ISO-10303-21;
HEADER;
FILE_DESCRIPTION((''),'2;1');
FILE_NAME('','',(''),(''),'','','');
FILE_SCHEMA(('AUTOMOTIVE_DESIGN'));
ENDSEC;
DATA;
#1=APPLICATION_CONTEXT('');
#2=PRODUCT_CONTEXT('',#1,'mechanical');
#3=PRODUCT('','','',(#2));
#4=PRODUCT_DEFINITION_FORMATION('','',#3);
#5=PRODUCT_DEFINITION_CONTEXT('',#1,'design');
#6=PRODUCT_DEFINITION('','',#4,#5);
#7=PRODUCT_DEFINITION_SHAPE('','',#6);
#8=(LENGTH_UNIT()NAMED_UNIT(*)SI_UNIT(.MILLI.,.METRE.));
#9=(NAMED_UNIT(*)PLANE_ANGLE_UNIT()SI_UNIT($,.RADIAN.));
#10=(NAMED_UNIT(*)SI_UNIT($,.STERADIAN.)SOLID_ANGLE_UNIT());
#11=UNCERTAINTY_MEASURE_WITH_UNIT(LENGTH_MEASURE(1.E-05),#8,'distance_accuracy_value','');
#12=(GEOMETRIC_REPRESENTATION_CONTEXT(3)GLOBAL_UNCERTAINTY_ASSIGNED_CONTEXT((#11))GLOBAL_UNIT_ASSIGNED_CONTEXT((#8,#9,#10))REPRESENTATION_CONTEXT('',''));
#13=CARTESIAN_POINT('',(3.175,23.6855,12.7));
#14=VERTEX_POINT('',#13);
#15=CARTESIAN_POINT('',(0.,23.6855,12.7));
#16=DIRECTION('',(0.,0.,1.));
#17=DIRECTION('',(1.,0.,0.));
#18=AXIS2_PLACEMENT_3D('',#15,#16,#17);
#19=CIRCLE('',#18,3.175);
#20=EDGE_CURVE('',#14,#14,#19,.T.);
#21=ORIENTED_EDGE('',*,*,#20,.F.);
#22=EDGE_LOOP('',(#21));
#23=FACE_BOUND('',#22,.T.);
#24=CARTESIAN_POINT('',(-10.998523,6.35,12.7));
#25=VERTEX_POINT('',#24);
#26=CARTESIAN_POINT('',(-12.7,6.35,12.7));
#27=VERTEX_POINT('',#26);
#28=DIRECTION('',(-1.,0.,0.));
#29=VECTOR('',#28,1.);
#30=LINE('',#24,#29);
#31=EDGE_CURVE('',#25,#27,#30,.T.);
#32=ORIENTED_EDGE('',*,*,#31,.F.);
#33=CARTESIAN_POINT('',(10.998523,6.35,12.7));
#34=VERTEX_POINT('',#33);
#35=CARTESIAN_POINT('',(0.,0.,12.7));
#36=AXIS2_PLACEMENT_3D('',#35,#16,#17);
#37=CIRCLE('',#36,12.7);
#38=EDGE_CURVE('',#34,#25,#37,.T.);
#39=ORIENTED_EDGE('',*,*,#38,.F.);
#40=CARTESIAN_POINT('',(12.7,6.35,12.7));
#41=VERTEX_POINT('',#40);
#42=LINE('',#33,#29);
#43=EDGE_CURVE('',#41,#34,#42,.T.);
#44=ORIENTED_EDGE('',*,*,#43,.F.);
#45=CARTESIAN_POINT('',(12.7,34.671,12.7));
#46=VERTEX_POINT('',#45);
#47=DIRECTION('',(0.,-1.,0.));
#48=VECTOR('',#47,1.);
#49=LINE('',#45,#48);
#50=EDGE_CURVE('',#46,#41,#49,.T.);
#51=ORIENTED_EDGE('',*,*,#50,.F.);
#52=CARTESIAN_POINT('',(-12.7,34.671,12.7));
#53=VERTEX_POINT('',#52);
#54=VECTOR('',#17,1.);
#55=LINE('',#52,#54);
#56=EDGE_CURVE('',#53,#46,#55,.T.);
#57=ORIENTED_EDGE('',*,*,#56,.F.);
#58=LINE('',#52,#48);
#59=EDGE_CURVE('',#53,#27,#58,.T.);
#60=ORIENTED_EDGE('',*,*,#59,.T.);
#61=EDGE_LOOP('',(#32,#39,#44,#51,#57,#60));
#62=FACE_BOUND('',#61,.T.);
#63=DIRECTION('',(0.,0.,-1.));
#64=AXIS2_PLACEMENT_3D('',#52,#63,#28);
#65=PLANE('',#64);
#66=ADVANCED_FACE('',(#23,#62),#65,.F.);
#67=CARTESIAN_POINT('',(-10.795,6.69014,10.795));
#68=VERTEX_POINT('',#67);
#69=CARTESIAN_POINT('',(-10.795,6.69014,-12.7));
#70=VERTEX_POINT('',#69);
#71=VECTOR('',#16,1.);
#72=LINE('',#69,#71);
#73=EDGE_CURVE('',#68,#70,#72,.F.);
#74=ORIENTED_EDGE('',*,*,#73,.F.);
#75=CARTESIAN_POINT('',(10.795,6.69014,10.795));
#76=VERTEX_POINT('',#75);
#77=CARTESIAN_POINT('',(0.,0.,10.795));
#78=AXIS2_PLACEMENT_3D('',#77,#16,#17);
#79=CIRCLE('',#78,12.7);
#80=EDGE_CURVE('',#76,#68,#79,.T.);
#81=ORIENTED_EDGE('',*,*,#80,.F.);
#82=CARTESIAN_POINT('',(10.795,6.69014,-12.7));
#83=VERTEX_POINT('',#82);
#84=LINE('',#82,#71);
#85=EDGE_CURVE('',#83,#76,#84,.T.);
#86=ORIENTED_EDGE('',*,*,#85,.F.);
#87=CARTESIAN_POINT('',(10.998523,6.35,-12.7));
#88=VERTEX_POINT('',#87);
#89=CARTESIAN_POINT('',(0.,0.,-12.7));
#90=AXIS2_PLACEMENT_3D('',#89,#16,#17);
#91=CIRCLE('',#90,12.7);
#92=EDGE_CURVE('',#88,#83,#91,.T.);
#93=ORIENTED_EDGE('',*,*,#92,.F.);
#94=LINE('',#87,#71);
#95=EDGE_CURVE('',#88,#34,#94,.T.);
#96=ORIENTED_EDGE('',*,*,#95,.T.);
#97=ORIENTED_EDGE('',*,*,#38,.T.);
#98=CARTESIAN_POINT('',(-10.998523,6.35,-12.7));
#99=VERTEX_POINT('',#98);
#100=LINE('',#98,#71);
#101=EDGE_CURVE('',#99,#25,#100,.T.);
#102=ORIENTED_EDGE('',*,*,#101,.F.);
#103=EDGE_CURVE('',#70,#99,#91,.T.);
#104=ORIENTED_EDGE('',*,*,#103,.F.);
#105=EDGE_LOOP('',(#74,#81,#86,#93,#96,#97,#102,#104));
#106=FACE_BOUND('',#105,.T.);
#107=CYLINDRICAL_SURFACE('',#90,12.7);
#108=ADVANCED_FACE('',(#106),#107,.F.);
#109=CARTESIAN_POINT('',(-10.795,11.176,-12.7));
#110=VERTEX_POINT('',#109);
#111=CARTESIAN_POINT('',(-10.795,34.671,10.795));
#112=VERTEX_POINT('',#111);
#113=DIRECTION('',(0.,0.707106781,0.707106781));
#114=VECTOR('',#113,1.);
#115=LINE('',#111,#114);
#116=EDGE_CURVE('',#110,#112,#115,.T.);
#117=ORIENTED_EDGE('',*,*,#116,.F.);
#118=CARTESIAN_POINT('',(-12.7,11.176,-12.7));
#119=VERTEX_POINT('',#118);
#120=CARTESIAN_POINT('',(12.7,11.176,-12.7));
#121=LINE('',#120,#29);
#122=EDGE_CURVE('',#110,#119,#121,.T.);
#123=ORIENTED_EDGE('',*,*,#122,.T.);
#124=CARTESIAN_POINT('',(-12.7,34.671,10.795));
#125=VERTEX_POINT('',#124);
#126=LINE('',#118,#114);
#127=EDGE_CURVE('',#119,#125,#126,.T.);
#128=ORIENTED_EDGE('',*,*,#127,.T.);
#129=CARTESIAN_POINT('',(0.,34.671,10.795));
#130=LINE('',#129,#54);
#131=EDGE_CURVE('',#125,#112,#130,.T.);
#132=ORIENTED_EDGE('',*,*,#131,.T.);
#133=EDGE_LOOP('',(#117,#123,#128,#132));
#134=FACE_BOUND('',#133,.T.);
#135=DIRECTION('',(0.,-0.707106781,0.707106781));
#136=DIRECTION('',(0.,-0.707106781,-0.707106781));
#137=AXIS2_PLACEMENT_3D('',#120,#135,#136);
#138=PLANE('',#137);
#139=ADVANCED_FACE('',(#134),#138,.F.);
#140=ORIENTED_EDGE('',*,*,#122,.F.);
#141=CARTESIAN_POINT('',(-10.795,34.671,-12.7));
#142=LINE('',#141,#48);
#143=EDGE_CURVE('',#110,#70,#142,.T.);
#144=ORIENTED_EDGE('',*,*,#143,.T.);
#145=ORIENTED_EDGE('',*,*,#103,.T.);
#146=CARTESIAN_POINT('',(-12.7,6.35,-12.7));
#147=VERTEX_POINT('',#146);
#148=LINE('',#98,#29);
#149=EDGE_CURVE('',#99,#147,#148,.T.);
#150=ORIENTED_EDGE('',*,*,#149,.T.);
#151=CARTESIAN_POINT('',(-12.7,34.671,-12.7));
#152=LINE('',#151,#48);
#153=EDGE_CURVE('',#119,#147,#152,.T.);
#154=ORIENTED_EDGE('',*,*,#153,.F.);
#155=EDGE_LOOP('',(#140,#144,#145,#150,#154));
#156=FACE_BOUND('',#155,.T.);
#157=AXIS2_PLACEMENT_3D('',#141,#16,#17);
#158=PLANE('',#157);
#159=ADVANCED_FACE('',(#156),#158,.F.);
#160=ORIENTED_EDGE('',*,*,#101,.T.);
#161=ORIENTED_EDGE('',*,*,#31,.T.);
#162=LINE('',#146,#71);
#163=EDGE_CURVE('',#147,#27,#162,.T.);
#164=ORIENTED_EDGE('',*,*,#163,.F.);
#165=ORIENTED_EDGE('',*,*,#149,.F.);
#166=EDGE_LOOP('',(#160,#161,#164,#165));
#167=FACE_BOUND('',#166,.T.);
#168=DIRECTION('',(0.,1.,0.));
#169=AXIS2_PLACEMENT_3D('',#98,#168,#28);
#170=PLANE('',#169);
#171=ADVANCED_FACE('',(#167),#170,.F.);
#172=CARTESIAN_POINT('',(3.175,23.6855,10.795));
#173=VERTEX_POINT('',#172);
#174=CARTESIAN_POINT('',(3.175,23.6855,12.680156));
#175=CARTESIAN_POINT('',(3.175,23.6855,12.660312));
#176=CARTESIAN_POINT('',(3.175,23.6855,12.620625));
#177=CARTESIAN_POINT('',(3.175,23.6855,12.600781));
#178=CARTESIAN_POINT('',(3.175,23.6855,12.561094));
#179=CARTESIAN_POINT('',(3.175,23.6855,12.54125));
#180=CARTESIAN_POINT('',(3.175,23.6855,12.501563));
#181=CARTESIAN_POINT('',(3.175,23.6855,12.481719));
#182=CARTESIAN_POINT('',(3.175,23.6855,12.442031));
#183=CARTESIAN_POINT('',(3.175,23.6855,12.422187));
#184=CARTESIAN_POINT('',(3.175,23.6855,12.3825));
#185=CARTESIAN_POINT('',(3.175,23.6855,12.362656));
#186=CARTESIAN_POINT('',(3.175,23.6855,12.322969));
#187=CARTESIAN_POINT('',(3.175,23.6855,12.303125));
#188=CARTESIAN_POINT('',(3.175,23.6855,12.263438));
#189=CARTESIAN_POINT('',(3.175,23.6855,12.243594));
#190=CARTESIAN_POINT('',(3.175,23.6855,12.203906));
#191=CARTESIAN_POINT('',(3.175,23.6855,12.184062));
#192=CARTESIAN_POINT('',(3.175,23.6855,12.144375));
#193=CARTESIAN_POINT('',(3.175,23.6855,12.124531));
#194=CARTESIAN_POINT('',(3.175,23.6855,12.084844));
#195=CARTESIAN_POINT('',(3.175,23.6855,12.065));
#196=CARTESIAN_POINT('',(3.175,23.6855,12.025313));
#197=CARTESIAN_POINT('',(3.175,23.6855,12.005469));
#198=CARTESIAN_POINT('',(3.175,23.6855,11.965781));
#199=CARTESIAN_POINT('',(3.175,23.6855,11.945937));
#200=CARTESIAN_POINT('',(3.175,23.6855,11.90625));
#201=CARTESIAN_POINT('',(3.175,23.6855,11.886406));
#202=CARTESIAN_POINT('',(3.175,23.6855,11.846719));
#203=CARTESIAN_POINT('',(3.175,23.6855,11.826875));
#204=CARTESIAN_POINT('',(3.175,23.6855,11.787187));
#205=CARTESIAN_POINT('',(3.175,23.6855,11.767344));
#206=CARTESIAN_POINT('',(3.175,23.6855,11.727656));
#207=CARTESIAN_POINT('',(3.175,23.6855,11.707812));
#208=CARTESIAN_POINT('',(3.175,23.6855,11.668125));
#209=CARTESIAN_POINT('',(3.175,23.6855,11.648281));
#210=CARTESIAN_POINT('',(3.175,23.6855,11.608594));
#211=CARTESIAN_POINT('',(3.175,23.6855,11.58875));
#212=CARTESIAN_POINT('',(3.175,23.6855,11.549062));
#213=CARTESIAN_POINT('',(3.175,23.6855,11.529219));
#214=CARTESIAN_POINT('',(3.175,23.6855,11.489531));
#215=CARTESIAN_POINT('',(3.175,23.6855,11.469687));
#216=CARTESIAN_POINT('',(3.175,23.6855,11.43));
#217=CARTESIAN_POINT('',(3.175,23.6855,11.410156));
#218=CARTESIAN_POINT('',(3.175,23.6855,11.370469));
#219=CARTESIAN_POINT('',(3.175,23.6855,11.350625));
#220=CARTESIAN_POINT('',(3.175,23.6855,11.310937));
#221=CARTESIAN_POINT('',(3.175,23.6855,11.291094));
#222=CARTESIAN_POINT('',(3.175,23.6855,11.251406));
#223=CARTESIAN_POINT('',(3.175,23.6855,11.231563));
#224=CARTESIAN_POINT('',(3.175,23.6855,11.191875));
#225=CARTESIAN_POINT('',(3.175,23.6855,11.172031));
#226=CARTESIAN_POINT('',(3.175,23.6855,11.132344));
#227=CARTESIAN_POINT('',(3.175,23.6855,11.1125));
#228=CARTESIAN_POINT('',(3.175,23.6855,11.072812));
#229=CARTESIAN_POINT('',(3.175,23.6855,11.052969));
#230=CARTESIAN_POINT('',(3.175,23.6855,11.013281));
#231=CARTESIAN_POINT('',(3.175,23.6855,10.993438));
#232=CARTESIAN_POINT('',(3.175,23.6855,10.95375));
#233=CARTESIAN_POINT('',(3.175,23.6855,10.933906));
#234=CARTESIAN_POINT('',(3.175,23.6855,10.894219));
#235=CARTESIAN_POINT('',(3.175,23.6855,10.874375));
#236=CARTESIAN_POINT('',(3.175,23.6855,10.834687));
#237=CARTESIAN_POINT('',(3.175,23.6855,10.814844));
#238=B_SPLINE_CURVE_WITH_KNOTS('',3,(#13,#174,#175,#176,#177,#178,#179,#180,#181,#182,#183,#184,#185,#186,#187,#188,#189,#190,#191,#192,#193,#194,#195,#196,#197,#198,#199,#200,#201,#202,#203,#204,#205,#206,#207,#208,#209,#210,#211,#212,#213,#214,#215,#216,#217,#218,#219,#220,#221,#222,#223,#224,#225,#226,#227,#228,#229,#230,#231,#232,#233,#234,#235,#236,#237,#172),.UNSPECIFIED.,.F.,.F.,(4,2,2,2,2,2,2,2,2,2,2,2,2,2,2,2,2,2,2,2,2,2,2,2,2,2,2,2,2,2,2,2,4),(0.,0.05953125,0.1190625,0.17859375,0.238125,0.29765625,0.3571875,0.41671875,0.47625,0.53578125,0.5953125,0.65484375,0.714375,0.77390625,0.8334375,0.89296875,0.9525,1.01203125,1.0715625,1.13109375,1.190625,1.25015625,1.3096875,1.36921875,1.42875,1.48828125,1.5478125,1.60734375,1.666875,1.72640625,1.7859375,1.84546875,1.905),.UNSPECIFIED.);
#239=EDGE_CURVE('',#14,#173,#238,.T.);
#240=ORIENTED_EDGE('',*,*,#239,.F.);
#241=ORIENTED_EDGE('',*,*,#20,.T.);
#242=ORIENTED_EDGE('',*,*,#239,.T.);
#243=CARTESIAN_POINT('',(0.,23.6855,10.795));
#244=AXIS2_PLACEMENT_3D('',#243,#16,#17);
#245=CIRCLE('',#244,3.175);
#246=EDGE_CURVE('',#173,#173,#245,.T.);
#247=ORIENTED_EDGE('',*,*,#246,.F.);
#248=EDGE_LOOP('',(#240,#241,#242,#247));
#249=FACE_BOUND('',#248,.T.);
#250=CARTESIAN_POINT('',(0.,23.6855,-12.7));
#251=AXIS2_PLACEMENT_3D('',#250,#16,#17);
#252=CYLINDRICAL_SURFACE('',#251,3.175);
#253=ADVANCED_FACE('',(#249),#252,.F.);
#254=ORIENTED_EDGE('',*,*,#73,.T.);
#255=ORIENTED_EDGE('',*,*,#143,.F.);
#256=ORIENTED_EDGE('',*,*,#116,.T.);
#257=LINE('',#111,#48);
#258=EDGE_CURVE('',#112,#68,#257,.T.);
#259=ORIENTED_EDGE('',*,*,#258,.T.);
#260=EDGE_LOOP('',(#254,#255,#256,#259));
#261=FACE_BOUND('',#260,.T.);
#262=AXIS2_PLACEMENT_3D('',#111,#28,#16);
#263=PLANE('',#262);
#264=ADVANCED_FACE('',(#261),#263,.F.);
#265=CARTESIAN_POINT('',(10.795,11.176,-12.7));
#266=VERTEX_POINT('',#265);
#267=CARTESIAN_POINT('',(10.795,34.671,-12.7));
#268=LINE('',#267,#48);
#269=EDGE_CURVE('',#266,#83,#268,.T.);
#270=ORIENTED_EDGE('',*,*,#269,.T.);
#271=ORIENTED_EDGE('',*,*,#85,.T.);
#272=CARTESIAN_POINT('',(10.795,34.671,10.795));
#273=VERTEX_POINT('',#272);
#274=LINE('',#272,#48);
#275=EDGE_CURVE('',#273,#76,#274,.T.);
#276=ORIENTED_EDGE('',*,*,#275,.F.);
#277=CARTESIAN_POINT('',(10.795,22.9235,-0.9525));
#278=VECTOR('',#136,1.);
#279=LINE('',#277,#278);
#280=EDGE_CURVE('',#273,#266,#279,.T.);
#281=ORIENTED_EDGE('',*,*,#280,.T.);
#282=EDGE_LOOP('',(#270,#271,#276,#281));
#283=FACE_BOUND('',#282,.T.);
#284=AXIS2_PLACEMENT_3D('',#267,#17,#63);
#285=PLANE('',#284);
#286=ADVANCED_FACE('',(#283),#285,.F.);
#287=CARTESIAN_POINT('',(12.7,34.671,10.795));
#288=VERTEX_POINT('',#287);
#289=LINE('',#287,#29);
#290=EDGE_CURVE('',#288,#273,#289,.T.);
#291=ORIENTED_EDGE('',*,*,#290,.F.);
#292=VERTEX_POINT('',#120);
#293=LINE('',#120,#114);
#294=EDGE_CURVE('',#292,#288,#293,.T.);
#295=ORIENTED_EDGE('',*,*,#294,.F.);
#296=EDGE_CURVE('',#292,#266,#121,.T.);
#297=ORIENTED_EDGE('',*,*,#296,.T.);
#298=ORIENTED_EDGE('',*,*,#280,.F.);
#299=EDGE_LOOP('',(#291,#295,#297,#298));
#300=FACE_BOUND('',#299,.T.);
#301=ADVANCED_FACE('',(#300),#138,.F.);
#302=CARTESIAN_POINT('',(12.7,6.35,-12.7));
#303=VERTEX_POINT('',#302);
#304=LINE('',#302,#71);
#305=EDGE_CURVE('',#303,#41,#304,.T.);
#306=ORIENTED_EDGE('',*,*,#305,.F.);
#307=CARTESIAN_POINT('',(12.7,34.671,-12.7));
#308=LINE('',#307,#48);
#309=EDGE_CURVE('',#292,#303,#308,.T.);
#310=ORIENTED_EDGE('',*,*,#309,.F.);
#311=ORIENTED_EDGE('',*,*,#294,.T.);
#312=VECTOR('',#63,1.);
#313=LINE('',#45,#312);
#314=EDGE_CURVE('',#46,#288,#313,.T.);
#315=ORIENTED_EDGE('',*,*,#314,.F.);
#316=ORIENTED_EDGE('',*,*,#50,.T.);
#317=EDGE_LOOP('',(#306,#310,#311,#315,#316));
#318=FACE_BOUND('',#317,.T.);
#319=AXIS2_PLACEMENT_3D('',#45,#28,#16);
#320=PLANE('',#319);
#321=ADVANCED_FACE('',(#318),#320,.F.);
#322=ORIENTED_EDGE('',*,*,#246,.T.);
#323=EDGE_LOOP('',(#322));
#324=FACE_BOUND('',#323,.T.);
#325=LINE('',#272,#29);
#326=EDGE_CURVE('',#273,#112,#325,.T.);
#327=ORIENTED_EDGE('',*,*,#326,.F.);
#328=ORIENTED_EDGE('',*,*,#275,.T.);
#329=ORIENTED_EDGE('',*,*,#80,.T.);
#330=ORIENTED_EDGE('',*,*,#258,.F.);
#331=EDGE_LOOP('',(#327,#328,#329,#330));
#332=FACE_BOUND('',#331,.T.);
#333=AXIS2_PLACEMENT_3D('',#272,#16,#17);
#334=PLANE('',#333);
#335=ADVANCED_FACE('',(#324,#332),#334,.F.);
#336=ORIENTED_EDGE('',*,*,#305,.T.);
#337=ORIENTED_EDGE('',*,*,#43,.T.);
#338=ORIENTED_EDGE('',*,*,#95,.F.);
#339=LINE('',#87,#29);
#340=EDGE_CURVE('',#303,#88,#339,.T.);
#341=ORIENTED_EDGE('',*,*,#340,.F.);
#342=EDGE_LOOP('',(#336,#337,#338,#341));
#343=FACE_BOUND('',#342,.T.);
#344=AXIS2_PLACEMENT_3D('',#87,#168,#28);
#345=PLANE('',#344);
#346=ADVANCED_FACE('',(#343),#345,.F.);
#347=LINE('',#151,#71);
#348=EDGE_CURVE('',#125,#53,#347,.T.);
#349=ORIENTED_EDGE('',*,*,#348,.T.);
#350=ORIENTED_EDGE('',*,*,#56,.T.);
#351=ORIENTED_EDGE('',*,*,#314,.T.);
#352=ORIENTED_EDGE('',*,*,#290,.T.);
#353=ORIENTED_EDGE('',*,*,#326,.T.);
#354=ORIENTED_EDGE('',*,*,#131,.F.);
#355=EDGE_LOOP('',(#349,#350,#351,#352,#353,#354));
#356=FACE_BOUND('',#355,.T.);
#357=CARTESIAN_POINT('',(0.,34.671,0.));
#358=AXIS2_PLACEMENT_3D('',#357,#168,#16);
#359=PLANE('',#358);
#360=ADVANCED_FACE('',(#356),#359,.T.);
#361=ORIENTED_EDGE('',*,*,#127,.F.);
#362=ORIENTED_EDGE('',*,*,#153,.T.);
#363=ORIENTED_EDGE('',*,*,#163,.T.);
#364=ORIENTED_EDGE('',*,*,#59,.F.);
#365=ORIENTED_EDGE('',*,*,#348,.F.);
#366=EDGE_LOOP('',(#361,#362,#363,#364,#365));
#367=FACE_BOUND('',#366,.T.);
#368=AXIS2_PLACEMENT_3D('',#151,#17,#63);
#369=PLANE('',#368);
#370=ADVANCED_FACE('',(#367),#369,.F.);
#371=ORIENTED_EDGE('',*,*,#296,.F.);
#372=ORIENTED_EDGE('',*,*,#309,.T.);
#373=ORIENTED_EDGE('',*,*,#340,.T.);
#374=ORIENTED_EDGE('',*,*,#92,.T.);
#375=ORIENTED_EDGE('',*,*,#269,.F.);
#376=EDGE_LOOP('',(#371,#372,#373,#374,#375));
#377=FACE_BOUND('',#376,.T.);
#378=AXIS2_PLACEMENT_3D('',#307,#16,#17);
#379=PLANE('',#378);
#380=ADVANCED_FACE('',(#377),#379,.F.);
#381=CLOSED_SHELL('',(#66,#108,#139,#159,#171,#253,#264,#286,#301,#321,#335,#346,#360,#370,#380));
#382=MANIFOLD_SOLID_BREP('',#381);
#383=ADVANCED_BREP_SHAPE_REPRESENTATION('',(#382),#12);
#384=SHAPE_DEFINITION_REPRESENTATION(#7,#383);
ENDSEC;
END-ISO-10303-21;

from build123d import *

# Parameters (mm, degrees)
BOSS_EXTRUDE1_DEPTH = 34.671
CUT_EXTRUDE1_DEPTH  = 45.816606755
SKETCH3_R           = 3.175
CUT_EXTRUDE2_DEPTH  = 45.816606755
CUT_EXTRUDE3_DEPTH  = 45.816606755


with BuildPart() as part:
    # Sketch1 → Boss-Extrude1 (new body)
    with BuildSketch(Plane(origin=(0, 0, 0), x_dir=(1, 0, 0), z_dir=(0, 1, 0))):
        Polygon((-12.7, 12.7), (-12.7, -12.7), (12.7, -12.7), (12.7, 12.7), (10.795, 12.7), (10.795, -10.795), (-10.795, -10.795), (-10.795, 12.7), align=None)
    extrude(amount=BOSS_EXTRUDE1_DEPTH)

    # Sketch2 → Cut-Extrude1 (cut, through all)
    with BuildSketch(Plane.ZY.offset(12.7)):
        Polygon((-12.7, 11.176), (10.795, 34.671), (-12.7, 34.671), align=None)
    extrude(amount=-CUT_EXTRUDE1_DEPTH, mode=Mode.SUBTRACT)

    # Sketch3 → Cut-Extrude2 (cut, through all)
    with BuildSketch(Plane.XY.offset(12.7)):
        with Locations((0, 23.6855)):
            Circle(SKETCH3_R)
    extrude(amount=-CUT_EXTRUDE2_DEPTH, mode=Mode.SUBTRACT)

    # Sketch4 → Cut-Extrude3 (cut, through all)
    with BuildSketch(Plane.XY.offset(12.7)):
        with BuildLine():
            Line((-12.7, 0), (12.7, 0))
            Line((12.7, 0), (12.7, 6.35))
            Line((12.7, 6.35), (10.998522628, 6.35))
            ThreePointArc((10.998522628, 6.35), (0, 12.7), (-10.998522628, 6.35))
            Line((-10.998522628, 6.35), (-12.7, 6.35))
            Line((-12.7, 6.35), (-12.7, 0))
        make_face()
    extrude(amount=-CUT_EXTRUDE3_DEPTH, mode=Mode.SUBTRACT)


solid = part.part
